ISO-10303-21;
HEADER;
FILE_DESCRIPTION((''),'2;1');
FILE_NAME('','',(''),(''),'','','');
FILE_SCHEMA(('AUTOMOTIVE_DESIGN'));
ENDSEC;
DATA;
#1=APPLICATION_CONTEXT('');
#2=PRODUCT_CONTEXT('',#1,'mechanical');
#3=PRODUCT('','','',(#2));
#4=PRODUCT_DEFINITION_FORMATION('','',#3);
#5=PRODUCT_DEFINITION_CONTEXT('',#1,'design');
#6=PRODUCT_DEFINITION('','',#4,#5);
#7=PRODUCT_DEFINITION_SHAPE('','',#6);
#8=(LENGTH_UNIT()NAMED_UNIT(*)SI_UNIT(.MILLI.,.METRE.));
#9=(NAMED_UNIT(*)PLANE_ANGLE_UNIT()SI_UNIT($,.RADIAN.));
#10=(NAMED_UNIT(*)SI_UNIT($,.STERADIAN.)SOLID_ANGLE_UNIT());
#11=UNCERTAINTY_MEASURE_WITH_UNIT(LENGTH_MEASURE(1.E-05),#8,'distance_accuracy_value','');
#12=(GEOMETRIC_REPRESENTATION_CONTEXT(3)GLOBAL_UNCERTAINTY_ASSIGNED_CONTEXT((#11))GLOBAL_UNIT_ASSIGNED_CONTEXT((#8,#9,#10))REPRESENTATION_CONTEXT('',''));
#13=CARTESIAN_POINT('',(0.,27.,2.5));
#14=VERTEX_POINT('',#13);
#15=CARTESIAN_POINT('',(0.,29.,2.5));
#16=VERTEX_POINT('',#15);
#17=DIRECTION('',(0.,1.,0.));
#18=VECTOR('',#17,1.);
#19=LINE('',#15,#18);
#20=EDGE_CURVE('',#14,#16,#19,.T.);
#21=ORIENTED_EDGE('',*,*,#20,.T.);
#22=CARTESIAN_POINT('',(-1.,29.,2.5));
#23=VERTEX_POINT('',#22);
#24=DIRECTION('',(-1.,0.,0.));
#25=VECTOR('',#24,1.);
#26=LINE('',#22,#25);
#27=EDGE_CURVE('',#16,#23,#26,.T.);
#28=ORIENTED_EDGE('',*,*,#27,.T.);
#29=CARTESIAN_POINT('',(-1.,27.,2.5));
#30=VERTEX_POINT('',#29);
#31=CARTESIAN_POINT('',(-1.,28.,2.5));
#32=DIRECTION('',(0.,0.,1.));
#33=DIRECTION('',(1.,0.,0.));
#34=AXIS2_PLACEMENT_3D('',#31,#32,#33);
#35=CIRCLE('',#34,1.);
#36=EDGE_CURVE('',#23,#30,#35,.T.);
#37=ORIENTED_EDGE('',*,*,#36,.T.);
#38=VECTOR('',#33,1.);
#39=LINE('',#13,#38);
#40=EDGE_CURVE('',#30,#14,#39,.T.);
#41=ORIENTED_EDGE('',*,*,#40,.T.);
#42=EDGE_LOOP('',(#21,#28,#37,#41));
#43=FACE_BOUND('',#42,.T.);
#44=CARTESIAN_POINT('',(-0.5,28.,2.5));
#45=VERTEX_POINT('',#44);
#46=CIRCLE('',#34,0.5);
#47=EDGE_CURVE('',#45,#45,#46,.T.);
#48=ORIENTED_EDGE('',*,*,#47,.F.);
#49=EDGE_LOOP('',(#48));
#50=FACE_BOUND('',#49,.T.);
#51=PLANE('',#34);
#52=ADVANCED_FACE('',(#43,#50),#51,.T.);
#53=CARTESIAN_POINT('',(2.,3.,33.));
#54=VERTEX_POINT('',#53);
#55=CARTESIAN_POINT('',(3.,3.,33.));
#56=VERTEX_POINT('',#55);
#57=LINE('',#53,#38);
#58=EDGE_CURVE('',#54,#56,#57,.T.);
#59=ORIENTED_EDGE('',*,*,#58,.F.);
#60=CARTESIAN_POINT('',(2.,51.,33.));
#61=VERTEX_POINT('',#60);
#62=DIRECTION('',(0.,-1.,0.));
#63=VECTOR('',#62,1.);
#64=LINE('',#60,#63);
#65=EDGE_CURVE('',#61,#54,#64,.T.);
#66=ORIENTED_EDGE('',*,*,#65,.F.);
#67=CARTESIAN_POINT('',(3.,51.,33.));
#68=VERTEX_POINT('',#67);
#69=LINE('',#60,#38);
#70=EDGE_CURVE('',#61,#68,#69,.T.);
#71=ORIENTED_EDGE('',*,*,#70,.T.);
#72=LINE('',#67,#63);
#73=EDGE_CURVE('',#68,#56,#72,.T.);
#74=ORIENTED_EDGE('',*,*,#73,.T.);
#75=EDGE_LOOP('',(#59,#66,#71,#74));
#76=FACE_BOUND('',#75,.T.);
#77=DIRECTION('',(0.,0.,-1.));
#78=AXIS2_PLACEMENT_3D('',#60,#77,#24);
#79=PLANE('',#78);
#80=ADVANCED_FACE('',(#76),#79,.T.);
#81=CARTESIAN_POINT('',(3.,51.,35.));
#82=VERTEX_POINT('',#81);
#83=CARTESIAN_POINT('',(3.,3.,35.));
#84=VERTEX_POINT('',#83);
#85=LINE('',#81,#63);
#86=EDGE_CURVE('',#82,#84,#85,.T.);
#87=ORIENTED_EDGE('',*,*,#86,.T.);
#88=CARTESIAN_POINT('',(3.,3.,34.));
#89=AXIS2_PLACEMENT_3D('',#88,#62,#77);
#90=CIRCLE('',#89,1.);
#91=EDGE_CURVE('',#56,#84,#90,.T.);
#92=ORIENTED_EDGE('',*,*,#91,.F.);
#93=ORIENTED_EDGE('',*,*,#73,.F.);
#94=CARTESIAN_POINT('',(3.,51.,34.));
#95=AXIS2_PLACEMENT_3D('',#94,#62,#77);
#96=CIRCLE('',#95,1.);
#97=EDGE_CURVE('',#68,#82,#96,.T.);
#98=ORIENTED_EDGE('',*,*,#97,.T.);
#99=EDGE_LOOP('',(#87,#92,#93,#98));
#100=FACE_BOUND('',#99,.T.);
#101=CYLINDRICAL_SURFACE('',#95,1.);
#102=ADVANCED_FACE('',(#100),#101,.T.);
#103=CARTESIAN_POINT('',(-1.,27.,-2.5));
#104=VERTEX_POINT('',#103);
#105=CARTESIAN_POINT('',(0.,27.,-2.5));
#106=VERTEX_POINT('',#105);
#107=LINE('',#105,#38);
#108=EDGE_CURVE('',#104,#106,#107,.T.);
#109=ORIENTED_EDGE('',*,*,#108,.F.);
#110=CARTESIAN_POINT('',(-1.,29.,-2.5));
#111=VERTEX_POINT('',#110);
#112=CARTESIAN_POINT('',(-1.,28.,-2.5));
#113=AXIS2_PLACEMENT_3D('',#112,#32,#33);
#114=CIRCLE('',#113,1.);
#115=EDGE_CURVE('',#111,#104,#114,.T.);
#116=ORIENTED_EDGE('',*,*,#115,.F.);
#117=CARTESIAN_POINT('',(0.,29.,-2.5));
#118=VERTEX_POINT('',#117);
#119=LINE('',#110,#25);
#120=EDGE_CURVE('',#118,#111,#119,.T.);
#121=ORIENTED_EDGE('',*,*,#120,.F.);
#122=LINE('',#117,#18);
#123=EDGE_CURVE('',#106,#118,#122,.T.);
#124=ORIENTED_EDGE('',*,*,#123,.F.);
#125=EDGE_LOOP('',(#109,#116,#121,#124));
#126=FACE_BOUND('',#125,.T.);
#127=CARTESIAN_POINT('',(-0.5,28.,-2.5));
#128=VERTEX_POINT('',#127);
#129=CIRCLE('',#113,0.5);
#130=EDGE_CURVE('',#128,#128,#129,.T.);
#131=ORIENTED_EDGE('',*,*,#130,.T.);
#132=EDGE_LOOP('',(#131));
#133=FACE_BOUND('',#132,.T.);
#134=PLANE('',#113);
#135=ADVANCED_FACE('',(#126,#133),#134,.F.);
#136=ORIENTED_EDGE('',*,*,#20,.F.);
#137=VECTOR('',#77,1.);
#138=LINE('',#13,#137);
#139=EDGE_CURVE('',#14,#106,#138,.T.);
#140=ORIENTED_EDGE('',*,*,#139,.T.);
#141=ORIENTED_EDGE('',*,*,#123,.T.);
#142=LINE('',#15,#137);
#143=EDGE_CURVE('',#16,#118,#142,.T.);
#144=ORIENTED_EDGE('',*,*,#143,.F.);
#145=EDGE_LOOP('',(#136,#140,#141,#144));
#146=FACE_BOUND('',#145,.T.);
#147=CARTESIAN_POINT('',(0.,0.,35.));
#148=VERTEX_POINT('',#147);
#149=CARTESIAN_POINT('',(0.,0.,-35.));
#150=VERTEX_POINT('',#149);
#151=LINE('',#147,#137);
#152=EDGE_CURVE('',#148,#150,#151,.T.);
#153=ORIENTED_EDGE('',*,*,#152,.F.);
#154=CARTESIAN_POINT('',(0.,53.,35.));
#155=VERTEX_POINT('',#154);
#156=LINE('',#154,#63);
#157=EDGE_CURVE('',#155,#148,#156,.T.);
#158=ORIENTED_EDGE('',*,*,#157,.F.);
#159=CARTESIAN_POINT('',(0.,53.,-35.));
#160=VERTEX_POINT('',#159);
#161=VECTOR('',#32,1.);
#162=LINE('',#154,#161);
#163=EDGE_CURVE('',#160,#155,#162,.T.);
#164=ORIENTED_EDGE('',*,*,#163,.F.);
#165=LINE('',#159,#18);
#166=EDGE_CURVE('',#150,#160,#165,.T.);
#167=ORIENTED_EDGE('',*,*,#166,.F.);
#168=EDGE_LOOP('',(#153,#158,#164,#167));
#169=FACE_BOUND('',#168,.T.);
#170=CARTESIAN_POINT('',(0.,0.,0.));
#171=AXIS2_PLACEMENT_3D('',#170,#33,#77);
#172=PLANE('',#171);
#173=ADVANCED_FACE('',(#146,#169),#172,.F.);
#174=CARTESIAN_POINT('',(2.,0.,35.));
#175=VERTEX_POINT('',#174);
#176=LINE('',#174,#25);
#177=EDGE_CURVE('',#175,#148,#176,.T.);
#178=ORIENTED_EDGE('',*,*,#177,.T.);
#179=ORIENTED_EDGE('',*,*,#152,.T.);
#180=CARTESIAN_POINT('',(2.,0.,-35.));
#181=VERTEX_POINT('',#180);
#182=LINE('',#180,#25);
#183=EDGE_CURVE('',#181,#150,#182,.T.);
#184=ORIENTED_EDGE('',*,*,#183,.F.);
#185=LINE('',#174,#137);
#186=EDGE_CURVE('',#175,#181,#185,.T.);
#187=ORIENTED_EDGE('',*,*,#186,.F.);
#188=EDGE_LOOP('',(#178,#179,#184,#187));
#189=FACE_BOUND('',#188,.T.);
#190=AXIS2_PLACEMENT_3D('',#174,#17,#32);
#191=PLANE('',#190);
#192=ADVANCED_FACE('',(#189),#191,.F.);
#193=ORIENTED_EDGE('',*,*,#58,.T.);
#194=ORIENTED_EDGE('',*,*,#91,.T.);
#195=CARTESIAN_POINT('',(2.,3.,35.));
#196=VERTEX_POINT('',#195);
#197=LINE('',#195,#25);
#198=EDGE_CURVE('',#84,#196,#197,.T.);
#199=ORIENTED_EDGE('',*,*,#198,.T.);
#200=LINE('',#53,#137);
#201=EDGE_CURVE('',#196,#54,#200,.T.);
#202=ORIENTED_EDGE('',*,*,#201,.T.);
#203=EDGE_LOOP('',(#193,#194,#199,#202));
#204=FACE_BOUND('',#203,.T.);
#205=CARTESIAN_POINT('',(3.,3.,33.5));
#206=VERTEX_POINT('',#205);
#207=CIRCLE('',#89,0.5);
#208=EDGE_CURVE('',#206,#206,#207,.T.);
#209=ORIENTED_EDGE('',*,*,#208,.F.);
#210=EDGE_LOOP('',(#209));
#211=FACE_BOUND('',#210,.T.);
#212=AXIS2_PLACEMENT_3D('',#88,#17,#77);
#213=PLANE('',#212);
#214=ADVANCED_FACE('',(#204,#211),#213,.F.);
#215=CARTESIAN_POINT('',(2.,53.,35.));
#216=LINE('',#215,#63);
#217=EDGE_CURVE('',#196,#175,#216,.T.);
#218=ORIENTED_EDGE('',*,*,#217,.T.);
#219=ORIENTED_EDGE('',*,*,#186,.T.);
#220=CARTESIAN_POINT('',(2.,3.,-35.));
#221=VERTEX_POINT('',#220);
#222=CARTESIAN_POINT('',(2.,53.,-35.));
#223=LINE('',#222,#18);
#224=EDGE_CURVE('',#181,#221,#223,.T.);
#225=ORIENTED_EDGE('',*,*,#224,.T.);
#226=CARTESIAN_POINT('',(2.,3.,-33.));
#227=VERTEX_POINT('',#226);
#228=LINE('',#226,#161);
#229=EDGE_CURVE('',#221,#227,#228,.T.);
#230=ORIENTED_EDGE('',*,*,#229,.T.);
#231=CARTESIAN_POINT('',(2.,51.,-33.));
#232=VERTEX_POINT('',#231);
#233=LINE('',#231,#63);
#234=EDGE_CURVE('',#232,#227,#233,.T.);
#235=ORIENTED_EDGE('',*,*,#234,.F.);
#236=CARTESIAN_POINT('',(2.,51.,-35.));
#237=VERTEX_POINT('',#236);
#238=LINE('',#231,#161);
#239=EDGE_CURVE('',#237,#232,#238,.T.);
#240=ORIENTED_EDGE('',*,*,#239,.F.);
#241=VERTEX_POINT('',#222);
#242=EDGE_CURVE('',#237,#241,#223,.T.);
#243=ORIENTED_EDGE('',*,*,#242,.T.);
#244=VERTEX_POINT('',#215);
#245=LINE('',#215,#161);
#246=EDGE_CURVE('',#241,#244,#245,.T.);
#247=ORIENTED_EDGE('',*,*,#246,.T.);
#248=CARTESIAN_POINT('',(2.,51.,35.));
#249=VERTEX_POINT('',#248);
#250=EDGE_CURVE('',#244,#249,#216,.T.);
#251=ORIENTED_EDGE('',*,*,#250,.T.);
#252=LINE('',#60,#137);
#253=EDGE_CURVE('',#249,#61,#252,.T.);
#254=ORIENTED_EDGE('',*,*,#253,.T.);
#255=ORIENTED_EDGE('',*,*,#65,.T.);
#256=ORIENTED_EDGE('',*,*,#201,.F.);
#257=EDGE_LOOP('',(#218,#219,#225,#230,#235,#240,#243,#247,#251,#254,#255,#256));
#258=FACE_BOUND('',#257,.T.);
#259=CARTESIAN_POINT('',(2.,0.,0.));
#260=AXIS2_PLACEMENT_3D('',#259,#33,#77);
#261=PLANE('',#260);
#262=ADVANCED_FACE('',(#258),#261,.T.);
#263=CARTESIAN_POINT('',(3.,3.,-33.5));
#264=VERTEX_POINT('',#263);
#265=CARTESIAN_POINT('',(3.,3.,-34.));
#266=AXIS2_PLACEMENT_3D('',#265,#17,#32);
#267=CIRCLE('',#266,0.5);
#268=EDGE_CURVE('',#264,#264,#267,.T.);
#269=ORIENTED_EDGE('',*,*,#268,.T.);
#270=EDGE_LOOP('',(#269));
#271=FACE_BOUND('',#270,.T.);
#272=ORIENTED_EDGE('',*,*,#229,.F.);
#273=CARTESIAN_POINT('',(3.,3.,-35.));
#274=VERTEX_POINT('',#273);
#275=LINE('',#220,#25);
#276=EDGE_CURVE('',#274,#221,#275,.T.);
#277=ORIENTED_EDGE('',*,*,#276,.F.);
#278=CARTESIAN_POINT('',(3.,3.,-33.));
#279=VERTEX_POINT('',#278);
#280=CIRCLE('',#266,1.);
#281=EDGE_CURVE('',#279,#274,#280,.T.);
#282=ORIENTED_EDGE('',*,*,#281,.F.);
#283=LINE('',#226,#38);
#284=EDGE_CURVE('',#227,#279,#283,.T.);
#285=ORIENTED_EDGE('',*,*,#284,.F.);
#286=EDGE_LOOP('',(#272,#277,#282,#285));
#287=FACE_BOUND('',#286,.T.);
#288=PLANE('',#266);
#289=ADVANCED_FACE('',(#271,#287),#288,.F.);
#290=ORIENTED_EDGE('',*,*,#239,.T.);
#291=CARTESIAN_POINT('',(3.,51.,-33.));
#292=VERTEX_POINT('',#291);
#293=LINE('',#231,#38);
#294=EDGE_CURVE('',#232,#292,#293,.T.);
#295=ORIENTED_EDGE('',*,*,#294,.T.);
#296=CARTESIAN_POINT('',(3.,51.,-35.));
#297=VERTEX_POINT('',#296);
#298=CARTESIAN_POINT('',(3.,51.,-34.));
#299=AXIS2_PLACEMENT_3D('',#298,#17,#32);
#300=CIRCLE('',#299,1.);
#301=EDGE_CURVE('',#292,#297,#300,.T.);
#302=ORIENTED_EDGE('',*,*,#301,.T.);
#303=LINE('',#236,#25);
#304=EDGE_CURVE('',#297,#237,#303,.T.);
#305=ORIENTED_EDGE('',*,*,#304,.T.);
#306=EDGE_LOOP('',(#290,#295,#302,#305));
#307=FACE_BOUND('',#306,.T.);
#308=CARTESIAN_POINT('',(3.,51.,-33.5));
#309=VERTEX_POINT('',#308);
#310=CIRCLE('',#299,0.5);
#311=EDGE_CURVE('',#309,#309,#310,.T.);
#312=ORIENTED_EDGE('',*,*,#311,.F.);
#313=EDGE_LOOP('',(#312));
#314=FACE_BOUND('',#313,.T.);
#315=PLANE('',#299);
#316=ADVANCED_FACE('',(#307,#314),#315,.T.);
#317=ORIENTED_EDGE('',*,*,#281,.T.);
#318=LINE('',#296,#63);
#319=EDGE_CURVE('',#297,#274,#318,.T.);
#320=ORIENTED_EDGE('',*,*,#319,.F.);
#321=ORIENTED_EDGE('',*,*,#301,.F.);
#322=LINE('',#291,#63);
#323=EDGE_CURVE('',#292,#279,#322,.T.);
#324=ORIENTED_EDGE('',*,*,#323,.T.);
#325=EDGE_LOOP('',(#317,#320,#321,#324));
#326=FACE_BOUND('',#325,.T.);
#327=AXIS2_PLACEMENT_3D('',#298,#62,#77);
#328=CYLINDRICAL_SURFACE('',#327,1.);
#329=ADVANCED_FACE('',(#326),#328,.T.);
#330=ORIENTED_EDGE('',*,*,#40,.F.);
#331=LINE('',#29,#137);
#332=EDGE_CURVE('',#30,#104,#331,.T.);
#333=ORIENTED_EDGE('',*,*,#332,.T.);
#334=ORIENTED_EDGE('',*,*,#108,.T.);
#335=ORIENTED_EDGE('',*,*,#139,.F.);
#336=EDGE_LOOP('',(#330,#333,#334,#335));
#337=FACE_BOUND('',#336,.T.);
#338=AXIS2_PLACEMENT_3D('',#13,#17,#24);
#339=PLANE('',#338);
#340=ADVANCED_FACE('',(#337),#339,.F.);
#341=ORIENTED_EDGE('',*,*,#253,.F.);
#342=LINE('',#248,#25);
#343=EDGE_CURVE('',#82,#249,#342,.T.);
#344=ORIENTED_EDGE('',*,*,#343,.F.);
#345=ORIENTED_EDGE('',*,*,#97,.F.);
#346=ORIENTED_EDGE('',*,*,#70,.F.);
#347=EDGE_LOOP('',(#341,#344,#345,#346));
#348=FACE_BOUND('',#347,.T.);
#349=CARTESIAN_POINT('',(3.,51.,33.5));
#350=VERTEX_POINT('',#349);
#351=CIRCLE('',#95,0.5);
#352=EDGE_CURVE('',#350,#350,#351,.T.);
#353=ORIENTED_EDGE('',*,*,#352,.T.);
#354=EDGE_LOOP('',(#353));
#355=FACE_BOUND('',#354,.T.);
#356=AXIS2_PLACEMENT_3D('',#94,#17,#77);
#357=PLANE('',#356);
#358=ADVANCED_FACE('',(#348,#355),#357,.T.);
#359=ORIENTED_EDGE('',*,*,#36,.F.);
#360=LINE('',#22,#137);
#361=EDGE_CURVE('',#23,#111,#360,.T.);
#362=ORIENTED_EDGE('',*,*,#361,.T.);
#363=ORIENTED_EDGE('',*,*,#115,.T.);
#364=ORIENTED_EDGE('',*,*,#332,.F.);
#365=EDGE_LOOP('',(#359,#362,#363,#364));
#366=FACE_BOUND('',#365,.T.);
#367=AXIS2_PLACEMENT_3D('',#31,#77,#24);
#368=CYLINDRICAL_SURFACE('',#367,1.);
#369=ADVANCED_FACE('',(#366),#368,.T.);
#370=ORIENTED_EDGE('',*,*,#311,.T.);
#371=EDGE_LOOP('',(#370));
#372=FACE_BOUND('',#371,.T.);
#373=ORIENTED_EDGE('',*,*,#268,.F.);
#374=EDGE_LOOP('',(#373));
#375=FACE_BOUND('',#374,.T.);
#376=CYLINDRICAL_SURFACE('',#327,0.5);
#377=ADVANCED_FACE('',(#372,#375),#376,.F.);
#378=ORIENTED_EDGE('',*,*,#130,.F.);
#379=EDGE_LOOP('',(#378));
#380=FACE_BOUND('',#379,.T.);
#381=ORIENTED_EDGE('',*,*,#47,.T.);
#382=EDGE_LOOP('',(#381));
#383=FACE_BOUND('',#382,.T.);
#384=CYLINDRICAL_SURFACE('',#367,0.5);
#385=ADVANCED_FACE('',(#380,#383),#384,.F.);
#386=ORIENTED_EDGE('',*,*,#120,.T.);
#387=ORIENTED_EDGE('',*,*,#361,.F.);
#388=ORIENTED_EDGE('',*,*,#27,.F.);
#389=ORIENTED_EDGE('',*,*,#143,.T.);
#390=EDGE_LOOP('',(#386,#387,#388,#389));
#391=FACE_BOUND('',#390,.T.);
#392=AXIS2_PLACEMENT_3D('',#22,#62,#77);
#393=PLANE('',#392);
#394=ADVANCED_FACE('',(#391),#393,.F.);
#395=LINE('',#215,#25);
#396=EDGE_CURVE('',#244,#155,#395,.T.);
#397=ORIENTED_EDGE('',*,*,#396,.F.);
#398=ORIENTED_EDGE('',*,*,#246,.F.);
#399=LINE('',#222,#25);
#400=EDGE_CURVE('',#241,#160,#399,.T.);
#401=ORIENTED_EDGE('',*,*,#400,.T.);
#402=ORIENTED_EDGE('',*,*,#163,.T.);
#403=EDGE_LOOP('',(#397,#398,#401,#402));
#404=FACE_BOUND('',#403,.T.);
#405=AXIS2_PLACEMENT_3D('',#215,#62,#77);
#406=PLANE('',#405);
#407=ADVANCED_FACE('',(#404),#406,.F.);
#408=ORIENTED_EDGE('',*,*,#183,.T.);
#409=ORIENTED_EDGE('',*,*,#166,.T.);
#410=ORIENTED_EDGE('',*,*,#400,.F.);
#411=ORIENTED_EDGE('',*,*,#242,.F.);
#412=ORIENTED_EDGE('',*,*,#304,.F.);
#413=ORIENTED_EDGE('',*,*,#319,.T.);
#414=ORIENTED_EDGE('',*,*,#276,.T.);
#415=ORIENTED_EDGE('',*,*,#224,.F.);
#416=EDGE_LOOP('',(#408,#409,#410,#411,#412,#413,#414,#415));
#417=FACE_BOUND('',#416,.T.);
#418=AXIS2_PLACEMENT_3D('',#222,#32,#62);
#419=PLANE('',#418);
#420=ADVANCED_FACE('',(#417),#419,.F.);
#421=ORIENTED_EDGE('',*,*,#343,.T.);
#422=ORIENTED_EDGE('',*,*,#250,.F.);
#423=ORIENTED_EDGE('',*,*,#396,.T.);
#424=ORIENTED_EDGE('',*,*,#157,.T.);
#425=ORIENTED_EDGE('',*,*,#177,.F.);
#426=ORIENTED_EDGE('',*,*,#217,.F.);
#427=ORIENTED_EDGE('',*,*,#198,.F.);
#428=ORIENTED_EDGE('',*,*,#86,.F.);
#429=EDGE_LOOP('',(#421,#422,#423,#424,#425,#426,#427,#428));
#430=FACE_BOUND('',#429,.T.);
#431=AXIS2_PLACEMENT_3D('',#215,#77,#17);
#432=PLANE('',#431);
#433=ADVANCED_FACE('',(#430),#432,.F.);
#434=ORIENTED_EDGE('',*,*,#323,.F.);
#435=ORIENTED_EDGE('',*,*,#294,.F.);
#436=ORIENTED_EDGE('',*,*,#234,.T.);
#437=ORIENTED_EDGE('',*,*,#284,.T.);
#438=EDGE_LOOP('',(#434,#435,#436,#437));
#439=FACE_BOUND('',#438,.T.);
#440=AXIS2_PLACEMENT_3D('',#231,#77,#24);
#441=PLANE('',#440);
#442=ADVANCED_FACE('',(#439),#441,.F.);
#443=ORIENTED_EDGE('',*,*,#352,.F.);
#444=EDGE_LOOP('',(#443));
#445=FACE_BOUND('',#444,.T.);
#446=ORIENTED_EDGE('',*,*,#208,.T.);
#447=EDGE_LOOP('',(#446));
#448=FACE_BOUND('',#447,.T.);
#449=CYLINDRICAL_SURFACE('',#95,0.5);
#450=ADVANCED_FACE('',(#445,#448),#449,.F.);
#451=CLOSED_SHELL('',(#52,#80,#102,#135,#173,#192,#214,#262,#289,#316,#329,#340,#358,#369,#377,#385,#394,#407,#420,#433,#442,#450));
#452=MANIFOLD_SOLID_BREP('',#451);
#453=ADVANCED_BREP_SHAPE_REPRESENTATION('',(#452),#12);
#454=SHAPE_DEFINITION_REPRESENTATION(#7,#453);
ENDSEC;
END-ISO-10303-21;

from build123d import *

# Parameters (mm, degrees)
SKETCH_1_W      = 70
SKETCH_1_H      = 53
EXTRUDE_1_DEPTH = 2
EXTRUDE_START   = 3
SKETCH_2_R      = 0.5
EXTRUDE_2_DEPTH = 48
SKETCH_3_R      = 0.5
EXTRUDE_3_DEPTH = 2.5


with BuildPart() as part:
    # Эскиз1 → Бобышка-Вытянуть1 (new body)
    with BuildSketch(Plane(origin=(0, 0, 0), x_dir=(0, 0, -1), z_dir=(1, 0, 0))):
        with Locations((0, 26.5)):
            Rectangle(SKETCH_1_W, SKETCH_1_H)
    extrude(amount=EXTRUDE_1_DEPTH)

    # Эскиз2 → Бобышка-Вытянуть2 (add)
    with BuildSketch(Plane(origin=(0, 0, 0), x_dir=(1, 0, 0), z_dir=(0, 1, 0)).offset(EXTRUDE_START)):
        with BuildLine():
            Line((2, 35), (3, 35))
            ThreePointArc((3, 35), (4, 34), (3, 33))
            Line((3, 33), (2, 33))
            Line((2, 33), (2, 35))
        make_face()
        with Locations(Location((3, 34, 0), (0, 0, 270))):
            Circle(SKETCH_2_R, mode=Mode.SUBTRACT)
    extrude_2 = extrude(amount=EXTRUDE_2_DEPTH)

    # Зеркальное отражение1: Бобышка-Вытянуть2 across plane
    add(extrude_2.mirror(Plane.XY))

    # Эскиз3 → Бобышка-Вытянуть3 (add, symmetric)
    with BuildSketch(Plane.XY):
        with BuildLine():
            Line((-1, 29), (0, 29))
            Line((0, 29), (0, 27))
            Line((0, 27), (-1, 27))
            ThreePointArc((-1, 27), (-2, 28), (-1, 29))
        make_face()
        with Locations((-1, 28)):
            Circle(SKETCH_3_R, mode=Mode.SUBTRACT)
    extrude(amount=EXTRUDE_3_DEPTH, both=True)


solid = part.part
